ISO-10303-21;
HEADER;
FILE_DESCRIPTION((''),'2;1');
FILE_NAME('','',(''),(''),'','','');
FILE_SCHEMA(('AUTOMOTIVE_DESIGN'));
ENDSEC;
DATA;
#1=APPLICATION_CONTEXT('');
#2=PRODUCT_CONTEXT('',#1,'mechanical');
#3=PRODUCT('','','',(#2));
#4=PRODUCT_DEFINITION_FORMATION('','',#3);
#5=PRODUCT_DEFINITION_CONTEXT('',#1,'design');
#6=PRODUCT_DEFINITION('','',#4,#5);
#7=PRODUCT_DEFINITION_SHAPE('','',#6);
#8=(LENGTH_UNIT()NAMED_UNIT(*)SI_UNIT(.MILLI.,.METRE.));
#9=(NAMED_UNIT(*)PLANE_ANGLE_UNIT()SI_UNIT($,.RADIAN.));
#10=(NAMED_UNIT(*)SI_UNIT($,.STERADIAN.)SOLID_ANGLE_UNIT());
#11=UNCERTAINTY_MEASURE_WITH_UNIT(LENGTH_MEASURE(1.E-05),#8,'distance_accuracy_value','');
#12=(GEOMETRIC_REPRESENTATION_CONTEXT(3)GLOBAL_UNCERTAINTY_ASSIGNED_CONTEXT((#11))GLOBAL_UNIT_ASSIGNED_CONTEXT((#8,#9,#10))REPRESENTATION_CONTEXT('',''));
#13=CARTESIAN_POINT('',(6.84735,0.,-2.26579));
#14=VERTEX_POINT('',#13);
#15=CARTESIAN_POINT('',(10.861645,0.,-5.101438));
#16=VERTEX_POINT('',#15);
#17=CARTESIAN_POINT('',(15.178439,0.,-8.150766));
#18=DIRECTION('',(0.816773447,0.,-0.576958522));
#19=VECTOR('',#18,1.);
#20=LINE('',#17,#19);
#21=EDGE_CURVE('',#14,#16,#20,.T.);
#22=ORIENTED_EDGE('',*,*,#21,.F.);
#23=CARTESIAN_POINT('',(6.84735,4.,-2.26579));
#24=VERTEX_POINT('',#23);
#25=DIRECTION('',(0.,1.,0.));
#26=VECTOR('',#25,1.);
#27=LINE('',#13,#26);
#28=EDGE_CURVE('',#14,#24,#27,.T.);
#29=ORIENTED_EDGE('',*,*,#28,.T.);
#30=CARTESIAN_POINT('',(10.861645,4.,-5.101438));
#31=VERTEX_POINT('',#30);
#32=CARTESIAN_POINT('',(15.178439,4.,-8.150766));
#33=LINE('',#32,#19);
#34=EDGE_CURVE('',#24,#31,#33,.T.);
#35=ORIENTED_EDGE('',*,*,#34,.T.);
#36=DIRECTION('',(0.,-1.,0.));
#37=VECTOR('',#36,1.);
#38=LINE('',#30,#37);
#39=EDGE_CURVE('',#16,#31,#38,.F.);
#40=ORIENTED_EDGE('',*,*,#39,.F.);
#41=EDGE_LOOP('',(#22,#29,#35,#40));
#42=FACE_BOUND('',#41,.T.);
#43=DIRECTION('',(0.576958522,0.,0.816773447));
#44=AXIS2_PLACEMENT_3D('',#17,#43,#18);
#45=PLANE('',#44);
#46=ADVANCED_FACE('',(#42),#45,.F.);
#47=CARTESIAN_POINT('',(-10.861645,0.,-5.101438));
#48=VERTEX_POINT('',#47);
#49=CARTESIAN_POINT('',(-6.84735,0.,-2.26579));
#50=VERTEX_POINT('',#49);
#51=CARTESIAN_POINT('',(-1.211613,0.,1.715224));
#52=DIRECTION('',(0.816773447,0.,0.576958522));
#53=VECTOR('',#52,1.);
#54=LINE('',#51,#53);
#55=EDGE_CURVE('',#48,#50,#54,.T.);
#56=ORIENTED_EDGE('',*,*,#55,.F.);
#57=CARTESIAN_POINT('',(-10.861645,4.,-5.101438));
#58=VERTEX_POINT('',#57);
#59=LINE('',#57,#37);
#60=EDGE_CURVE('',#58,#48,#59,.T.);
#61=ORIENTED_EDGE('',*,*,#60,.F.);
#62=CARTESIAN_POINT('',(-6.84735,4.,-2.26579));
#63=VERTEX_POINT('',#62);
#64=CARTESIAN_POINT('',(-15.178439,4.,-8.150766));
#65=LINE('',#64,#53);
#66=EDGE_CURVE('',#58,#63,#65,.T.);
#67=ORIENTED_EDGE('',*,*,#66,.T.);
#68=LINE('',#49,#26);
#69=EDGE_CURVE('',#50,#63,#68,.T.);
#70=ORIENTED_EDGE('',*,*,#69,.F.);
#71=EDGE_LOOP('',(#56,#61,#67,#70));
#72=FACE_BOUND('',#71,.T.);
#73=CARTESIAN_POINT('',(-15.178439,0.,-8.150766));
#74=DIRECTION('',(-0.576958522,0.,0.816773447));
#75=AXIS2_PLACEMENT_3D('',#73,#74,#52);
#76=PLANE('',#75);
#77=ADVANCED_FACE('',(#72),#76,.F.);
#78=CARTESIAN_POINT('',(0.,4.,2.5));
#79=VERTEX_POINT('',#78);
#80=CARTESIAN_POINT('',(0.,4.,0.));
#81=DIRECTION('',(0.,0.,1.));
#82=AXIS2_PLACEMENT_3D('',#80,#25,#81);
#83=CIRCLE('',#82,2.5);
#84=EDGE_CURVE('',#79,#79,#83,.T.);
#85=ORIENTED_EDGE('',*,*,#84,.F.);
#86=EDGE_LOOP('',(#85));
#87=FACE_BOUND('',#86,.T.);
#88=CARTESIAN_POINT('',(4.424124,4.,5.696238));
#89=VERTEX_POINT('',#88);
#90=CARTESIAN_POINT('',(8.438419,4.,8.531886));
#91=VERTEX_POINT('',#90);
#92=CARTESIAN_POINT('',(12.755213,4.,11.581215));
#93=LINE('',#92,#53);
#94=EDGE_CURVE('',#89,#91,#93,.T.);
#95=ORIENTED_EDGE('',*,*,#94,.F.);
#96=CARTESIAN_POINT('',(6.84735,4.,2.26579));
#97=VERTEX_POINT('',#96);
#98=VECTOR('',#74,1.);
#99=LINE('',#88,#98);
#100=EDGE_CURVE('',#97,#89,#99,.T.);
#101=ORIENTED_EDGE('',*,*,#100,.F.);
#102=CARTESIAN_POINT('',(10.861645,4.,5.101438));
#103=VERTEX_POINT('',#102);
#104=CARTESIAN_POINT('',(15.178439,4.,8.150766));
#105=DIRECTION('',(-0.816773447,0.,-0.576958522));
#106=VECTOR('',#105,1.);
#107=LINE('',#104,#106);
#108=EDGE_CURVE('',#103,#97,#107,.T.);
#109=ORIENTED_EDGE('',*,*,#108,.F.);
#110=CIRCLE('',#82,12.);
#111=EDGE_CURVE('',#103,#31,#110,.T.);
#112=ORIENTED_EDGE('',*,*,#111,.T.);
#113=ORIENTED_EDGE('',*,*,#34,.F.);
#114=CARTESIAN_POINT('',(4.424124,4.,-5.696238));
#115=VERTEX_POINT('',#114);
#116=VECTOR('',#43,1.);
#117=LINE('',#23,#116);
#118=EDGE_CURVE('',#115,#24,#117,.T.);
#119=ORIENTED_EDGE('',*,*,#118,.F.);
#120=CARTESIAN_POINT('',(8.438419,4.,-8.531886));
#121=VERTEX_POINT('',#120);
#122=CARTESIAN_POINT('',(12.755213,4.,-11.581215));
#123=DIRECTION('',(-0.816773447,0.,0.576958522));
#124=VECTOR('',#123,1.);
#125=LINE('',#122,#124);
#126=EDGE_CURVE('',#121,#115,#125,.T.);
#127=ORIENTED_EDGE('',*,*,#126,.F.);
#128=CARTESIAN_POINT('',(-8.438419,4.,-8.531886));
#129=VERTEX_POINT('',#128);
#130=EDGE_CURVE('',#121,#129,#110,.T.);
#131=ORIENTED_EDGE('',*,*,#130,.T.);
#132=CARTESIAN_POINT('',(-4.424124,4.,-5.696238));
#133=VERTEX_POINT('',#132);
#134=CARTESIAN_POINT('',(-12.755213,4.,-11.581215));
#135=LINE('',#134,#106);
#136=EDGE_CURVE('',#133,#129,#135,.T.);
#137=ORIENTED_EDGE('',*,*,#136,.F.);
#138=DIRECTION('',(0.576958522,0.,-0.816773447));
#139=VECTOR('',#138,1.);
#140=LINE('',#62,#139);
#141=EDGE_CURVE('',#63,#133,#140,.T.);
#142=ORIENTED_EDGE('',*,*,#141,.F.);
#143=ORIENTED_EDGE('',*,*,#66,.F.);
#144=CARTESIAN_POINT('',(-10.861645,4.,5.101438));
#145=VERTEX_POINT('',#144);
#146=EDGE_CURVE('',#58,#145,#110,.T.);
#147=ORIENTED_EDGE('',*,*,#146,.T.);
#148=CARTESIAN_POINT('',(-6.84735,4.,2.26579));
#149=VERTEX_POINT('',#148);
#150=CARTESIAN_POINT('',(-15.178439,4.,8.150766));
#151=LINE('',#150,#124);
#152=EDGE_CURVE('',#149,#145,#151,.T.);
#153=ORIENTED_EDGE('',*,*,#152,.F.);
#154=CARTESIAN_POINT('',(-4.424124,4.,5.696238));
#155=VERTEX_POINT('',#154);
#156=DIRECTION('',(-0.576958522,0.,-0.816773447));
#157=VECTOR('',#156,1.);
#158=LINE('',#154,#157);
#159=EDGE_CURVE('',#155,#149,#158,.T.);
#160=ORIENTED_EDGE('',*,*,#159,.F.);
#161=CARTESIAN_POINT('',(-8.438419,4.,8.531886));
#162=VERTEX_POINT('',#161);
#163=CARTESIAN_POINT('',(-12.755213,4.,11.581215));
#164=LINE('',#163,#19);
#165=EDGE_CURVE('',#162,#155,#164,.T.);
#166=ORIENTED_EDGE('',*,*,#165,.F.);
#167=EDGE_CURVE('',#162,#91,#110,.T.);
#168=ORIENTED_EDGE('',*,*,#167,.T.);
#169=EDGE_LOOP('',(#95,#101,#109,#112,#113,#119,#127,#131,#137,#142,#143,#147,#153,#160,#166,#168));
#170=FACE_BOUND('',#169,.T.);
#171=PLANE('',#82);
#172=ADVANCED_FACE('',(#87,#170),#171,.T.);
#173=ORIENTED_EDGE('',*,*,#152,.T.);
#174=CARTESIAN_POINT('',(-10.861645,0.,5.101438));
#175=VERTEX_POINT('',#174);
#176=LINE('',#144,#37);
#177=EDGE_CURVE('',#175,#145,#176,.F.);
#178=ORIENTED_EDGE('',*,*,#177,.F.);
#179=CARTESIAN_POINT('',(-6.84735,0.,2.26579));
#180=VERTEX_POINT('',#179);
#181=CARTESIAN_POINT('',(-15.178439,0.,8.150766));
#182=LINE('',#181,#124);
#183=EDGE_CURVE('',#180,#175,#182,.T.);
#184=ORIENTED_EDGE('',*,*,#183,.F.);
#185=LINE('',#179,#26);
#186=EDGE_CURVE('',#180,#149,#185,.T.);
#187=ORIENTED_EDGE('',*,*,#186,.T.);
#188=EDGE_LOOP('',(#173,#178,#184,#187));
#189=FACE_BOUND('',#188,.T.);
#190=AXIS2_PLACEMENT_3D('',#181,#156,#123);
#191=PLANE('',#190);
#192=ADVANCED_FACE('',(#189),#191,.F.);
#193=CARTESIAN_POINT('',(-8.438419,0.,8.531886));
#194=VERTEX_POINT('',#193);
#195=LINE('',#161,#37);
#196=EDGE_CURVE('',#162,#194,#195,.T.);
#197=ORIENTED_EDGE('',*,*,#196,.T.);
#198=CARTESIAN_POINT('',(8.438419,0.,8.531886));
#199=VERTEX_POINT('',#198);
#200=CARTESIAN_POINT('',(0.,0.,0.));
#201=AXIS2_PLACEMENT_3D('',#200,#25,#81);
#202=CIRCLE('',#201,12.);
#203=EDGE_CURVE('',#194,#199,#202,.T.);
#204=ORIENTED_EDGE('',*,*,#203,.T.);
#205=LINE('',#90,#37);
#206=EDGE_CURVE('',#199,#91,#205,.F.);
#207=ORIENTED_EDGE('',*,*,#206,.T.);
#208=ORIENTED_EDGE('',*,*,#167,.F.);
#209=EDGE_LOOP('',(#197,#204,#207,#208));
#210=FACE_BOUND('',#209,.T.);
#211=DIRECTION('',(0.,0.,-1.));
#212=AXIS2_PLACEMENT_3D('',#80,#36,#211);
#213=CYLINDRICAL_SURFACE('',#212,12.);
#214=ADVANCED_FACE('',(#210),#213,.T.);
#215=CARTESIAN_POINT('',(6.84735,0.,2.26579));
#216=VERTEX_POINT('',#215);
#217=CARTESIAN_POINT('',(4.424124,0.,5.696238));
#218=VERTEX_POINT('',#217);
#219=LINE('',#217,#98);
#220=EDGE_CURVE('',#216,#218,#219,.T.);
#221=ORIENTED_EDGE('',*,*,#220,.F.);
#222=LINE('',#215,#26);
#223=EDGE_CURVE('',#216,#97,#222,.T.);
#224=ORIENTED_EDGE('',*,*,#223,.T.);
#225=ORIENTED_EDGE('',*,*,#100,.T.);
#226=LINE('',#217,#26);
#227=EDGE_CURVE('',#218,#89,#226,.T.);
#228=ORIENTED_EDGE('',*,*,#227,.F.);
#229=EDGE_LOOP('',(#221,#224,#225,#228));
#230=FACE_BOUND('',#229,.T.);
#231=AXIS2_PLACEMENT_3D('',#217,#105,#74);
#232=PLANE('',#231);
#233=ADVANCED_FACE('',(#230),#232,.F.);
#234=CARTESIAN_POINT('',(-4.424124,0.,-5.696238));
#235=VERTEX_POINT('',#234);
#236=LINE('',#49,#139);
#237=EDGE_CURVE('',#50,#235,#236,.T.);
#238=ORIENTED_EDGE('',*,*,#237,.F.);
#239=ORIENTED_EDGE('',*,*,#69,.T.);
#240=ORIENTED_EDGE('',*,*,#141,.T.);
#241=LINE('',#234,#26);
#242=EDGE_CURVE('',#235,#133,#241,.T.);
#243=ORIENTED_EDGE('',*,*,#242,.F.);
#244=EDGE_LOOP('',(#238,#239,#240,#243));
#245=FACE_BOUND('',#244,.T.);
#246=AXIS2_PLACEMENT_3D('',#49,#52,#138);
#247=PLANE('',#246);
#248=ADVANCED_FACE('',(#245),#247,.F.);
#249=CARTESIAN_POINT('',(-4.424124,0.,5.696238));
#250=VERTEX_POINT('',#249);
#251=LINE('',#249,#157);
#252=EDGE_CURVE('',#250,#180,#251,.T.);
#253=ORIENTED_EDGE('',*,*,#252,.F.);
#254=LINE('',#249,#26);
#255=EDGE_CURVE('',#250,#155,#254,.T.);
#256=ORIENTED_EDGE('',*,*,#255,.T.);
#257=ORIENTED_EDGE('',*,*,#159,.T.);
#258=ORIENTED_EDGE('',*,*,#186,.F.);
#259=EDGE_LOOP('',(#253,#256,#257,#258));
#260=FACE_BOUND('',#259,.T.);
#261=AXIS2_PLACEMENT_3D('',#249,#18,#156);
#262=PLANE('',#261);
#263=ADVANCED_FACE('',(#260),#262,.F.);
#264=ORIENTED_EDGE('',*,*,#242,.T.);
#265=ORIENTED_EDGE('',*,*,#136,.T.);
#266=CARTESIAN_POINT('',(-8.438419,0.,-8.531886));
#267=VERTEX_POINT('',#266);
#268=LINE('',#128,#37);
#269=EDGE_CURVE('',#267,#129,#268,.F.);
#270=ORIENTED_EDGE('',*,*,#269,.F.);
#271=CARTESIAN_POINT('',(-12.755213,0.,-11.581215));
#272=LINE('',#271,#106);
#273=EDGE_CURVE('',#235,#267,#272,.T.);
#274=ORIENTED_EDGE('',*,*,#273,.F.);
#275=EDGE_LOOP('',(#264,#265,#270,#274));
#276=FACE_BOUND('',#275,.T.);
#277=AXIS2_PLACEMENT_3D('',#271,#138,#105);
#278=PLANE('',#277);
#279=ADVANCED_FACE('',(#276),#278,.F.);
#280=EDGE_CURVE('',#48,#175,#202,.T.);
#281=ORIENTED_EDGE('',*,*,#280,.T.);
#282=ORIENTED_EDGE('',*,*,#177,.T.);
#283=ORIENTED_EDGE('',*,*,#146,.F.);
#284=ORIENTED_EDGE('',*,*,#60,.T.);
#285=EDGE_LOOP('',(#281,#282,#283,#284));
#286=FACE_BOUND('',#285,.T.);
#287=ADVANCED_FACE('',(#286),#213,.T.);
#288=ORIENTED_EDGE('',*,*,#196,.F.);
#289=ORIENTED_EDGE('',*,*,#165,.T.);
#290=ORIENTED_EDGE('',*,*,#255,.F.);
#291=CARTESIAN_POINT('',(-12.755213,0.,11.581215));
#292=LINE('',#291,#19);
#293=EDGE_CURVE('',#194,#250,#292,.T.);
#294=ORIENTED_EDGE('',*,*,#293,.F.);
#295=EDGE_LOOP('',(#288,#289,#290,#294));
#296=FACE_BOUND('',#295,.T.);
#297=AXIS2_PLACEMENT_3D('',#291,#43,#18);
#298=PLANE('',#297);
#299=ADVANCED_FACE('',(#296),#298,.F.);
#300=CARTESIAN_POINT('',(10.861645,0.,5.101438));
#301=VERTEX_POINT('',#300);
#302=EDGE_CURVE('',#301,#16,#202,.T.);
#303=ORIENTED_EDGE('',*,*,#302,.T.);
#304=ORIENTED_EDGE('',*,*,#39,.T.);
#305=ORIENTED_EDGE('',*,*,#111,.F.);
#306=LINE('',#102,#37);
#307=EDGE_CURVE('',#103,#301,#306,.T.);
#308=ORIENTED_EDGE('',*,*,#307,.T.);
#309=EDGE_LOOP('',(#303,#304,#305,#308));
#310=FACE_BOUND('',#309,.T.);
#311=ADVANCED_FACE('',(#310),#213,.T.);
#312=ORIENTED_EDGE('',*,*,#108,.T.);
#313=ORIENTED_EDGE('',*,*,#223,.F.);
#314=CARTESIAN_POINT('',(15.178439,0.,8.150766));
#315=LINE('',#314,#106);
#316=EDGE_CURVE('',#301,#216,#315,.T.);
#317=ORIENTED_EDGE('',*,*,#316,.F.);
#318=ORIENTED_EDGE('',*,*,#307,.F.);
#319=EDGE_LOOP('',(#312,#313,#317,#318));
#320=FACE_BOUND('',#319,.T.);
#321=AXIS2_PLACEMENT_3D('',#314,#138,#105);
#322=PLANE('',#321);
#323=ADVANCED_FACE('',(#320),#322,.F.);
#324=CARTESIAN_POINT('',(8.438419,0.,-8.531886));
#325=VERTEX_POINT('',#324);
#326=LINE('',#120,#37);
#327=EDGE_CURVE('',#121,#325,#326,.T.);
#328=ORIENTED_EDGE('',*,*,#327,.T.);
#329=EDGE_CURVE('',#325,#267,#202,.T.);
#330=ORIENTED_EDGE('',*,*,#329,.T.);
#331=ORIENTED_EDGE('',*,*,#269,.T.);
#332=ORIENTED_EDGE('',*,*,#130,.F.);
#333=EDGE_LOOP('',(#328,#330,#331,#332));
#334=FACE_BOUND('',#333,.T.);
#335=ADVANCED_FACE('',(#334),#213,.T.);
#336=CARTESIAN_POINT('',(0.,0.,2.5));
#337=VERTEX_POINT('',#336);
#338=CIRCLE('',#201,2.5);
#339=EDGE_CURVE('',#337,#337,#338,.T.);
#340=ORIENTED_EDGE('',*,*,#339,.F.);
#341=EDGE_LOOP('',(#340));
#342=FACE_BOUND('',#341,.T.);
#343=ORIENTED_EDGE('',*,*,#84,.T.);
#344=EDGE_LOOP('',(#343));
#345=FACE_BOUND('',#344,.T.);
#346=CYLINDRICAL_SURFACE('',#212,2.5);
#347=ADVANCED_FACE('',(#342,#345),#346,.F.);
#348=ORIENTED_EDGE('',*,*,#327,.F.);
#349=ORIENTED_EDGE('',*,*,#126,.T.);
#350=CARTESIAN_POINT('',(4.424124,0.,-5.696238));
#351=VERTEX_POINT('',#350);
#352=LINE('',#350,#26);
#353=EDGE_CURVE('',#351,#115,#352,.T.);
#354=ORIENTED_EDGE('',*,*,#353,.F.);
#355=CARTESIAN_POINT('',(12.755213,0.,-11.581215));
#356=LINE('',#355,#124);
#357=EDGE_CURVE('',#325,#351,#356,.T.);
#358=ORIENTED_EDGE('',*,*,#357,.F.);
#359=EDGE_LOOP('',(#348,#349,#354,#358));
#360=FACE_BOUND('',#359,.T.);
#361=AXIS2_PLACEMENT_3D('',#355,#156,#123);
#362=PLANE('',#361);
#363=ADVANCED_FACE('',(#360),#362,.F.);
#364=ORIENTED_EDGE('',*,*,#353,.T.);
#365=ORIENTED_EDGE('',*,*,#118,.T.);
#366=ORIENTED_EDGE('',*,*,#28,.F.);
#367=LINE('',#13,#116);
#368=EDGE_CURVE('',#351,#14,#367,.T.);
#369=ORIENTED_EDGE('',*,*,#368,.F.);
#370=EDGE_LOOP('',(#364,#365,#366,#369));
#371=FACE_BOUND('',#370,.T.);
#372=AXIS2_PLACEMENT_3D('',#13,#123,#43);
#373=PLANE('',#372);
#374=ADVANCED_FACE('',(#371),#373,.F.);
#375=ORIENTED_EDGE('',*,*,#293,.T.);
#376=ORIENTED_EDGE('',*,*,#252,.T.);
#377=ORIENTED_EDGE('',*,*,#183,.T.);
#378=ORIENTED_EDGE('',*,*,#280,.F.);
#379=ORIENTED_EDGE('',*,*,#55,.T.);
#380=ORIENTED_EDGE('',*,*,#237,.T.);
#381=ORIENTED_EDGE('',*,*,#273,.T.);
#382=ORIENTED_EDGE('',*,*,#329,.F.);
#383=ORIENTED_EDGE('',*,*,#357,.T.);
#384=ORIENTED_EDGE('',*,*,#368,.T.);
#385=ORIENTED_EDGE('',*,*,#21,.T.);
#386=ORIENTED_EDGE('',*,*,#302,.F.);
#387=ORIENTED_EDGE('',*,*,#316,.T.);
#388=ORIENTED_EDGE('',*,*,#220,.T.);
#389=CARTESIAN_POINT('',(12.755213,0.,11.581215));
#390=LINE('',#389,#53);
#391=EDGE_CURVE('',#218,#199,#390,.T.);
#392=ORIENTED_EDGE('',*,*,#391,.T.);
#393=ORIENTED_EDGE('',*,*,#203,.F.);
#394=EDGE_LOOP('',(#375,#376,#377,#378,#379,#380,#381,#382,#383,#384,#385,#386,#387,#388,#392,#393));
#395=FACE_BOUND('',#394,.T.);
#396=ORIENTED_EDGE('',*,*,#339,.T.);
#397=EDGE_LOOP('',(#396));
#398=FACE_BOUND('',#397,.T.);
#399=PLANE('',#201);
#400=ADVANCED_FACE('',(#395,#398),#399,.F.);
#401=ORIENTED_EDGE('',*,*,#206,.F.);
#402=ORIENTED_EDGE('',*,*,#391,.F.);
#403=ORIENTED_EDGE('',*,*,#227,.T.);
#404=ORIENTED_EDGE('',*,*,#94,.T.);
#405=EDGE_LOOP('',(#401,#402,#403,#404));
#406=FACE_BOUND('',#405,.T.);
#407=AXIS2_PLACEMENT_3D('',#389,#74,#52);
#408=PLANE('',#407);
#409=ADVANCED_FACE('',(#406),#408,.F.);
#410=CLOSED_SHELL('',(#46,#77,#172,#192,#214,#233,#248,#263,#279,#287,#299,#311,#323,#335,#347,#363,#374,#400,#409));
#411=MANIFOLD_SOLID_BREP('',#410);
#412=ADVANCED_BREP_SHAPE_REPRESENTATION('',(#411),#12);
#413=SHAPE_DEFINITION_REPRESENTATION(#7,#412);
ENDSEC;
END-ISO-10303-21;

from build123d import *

# Parameters (mm, degrees)
CROQUIS1_R              = 12
CROQUIS1_R_2            = 2.5
SALIENTE_EXTRUIR1_DEPTH = 4
CORTAR_EXTRUIR1_DEPTH   = 4


with BuildPart() as part:
    # Croquis1 → Saliente-Extruir1 (new body)
    with BuildSketch(Plane(origin=(0, 0, 0), x_dir=(1, 0, 0), z_dir=(0, 1, 0))):
        with Locations(Location((0, 0, 0), (0, 0, 270))):
            Circle(CROQUIS1_R)
        with Locations(Location((0, 0, 0), (0, 0, 270))):
            Circle(CROQUIS1_R_2, mode=Mode.SUBTRACT)
    extrude(amount=SALIENTE_EXTRUIR1_DEPTH)

    # Croquis3 → Cortar-Extruir1 (cut)
    with BuildSketch(Plane(origin=(0, 4, 0), x_dir=(1, 0, 0), z_dir=(0, 1, 0))):
        Polygon((15.178438839, 8.150766492), (6.84734968, 2.265789565), (4.424123887, 5.696238042), (12.755213045, 11.581214969), align=None)
        Polygon((-4.424123887, -5.696238042), (-6.84734968, -2.265789565), (-15.178438839, -8.150766492), (-12.755213045, -11.581214969), align=None)
        Polygon((12.755213045, -11.581214969), (4.424123887, -5.696238042), (6.84734968, -2.265789565), (15.178438839, -8.150766492), align=None)
        Polygon((-6.84734968, 2.265789565), (-4.424123887, 5.696238042), (-12.755213045, 11.581214969), (-15.178438839, 8.150766492), align=None)
    extrude(amount=-CORTAR_EXTRUIR1_DEPTH, mode=Mode.SUBTRACT)


solid = part.part
